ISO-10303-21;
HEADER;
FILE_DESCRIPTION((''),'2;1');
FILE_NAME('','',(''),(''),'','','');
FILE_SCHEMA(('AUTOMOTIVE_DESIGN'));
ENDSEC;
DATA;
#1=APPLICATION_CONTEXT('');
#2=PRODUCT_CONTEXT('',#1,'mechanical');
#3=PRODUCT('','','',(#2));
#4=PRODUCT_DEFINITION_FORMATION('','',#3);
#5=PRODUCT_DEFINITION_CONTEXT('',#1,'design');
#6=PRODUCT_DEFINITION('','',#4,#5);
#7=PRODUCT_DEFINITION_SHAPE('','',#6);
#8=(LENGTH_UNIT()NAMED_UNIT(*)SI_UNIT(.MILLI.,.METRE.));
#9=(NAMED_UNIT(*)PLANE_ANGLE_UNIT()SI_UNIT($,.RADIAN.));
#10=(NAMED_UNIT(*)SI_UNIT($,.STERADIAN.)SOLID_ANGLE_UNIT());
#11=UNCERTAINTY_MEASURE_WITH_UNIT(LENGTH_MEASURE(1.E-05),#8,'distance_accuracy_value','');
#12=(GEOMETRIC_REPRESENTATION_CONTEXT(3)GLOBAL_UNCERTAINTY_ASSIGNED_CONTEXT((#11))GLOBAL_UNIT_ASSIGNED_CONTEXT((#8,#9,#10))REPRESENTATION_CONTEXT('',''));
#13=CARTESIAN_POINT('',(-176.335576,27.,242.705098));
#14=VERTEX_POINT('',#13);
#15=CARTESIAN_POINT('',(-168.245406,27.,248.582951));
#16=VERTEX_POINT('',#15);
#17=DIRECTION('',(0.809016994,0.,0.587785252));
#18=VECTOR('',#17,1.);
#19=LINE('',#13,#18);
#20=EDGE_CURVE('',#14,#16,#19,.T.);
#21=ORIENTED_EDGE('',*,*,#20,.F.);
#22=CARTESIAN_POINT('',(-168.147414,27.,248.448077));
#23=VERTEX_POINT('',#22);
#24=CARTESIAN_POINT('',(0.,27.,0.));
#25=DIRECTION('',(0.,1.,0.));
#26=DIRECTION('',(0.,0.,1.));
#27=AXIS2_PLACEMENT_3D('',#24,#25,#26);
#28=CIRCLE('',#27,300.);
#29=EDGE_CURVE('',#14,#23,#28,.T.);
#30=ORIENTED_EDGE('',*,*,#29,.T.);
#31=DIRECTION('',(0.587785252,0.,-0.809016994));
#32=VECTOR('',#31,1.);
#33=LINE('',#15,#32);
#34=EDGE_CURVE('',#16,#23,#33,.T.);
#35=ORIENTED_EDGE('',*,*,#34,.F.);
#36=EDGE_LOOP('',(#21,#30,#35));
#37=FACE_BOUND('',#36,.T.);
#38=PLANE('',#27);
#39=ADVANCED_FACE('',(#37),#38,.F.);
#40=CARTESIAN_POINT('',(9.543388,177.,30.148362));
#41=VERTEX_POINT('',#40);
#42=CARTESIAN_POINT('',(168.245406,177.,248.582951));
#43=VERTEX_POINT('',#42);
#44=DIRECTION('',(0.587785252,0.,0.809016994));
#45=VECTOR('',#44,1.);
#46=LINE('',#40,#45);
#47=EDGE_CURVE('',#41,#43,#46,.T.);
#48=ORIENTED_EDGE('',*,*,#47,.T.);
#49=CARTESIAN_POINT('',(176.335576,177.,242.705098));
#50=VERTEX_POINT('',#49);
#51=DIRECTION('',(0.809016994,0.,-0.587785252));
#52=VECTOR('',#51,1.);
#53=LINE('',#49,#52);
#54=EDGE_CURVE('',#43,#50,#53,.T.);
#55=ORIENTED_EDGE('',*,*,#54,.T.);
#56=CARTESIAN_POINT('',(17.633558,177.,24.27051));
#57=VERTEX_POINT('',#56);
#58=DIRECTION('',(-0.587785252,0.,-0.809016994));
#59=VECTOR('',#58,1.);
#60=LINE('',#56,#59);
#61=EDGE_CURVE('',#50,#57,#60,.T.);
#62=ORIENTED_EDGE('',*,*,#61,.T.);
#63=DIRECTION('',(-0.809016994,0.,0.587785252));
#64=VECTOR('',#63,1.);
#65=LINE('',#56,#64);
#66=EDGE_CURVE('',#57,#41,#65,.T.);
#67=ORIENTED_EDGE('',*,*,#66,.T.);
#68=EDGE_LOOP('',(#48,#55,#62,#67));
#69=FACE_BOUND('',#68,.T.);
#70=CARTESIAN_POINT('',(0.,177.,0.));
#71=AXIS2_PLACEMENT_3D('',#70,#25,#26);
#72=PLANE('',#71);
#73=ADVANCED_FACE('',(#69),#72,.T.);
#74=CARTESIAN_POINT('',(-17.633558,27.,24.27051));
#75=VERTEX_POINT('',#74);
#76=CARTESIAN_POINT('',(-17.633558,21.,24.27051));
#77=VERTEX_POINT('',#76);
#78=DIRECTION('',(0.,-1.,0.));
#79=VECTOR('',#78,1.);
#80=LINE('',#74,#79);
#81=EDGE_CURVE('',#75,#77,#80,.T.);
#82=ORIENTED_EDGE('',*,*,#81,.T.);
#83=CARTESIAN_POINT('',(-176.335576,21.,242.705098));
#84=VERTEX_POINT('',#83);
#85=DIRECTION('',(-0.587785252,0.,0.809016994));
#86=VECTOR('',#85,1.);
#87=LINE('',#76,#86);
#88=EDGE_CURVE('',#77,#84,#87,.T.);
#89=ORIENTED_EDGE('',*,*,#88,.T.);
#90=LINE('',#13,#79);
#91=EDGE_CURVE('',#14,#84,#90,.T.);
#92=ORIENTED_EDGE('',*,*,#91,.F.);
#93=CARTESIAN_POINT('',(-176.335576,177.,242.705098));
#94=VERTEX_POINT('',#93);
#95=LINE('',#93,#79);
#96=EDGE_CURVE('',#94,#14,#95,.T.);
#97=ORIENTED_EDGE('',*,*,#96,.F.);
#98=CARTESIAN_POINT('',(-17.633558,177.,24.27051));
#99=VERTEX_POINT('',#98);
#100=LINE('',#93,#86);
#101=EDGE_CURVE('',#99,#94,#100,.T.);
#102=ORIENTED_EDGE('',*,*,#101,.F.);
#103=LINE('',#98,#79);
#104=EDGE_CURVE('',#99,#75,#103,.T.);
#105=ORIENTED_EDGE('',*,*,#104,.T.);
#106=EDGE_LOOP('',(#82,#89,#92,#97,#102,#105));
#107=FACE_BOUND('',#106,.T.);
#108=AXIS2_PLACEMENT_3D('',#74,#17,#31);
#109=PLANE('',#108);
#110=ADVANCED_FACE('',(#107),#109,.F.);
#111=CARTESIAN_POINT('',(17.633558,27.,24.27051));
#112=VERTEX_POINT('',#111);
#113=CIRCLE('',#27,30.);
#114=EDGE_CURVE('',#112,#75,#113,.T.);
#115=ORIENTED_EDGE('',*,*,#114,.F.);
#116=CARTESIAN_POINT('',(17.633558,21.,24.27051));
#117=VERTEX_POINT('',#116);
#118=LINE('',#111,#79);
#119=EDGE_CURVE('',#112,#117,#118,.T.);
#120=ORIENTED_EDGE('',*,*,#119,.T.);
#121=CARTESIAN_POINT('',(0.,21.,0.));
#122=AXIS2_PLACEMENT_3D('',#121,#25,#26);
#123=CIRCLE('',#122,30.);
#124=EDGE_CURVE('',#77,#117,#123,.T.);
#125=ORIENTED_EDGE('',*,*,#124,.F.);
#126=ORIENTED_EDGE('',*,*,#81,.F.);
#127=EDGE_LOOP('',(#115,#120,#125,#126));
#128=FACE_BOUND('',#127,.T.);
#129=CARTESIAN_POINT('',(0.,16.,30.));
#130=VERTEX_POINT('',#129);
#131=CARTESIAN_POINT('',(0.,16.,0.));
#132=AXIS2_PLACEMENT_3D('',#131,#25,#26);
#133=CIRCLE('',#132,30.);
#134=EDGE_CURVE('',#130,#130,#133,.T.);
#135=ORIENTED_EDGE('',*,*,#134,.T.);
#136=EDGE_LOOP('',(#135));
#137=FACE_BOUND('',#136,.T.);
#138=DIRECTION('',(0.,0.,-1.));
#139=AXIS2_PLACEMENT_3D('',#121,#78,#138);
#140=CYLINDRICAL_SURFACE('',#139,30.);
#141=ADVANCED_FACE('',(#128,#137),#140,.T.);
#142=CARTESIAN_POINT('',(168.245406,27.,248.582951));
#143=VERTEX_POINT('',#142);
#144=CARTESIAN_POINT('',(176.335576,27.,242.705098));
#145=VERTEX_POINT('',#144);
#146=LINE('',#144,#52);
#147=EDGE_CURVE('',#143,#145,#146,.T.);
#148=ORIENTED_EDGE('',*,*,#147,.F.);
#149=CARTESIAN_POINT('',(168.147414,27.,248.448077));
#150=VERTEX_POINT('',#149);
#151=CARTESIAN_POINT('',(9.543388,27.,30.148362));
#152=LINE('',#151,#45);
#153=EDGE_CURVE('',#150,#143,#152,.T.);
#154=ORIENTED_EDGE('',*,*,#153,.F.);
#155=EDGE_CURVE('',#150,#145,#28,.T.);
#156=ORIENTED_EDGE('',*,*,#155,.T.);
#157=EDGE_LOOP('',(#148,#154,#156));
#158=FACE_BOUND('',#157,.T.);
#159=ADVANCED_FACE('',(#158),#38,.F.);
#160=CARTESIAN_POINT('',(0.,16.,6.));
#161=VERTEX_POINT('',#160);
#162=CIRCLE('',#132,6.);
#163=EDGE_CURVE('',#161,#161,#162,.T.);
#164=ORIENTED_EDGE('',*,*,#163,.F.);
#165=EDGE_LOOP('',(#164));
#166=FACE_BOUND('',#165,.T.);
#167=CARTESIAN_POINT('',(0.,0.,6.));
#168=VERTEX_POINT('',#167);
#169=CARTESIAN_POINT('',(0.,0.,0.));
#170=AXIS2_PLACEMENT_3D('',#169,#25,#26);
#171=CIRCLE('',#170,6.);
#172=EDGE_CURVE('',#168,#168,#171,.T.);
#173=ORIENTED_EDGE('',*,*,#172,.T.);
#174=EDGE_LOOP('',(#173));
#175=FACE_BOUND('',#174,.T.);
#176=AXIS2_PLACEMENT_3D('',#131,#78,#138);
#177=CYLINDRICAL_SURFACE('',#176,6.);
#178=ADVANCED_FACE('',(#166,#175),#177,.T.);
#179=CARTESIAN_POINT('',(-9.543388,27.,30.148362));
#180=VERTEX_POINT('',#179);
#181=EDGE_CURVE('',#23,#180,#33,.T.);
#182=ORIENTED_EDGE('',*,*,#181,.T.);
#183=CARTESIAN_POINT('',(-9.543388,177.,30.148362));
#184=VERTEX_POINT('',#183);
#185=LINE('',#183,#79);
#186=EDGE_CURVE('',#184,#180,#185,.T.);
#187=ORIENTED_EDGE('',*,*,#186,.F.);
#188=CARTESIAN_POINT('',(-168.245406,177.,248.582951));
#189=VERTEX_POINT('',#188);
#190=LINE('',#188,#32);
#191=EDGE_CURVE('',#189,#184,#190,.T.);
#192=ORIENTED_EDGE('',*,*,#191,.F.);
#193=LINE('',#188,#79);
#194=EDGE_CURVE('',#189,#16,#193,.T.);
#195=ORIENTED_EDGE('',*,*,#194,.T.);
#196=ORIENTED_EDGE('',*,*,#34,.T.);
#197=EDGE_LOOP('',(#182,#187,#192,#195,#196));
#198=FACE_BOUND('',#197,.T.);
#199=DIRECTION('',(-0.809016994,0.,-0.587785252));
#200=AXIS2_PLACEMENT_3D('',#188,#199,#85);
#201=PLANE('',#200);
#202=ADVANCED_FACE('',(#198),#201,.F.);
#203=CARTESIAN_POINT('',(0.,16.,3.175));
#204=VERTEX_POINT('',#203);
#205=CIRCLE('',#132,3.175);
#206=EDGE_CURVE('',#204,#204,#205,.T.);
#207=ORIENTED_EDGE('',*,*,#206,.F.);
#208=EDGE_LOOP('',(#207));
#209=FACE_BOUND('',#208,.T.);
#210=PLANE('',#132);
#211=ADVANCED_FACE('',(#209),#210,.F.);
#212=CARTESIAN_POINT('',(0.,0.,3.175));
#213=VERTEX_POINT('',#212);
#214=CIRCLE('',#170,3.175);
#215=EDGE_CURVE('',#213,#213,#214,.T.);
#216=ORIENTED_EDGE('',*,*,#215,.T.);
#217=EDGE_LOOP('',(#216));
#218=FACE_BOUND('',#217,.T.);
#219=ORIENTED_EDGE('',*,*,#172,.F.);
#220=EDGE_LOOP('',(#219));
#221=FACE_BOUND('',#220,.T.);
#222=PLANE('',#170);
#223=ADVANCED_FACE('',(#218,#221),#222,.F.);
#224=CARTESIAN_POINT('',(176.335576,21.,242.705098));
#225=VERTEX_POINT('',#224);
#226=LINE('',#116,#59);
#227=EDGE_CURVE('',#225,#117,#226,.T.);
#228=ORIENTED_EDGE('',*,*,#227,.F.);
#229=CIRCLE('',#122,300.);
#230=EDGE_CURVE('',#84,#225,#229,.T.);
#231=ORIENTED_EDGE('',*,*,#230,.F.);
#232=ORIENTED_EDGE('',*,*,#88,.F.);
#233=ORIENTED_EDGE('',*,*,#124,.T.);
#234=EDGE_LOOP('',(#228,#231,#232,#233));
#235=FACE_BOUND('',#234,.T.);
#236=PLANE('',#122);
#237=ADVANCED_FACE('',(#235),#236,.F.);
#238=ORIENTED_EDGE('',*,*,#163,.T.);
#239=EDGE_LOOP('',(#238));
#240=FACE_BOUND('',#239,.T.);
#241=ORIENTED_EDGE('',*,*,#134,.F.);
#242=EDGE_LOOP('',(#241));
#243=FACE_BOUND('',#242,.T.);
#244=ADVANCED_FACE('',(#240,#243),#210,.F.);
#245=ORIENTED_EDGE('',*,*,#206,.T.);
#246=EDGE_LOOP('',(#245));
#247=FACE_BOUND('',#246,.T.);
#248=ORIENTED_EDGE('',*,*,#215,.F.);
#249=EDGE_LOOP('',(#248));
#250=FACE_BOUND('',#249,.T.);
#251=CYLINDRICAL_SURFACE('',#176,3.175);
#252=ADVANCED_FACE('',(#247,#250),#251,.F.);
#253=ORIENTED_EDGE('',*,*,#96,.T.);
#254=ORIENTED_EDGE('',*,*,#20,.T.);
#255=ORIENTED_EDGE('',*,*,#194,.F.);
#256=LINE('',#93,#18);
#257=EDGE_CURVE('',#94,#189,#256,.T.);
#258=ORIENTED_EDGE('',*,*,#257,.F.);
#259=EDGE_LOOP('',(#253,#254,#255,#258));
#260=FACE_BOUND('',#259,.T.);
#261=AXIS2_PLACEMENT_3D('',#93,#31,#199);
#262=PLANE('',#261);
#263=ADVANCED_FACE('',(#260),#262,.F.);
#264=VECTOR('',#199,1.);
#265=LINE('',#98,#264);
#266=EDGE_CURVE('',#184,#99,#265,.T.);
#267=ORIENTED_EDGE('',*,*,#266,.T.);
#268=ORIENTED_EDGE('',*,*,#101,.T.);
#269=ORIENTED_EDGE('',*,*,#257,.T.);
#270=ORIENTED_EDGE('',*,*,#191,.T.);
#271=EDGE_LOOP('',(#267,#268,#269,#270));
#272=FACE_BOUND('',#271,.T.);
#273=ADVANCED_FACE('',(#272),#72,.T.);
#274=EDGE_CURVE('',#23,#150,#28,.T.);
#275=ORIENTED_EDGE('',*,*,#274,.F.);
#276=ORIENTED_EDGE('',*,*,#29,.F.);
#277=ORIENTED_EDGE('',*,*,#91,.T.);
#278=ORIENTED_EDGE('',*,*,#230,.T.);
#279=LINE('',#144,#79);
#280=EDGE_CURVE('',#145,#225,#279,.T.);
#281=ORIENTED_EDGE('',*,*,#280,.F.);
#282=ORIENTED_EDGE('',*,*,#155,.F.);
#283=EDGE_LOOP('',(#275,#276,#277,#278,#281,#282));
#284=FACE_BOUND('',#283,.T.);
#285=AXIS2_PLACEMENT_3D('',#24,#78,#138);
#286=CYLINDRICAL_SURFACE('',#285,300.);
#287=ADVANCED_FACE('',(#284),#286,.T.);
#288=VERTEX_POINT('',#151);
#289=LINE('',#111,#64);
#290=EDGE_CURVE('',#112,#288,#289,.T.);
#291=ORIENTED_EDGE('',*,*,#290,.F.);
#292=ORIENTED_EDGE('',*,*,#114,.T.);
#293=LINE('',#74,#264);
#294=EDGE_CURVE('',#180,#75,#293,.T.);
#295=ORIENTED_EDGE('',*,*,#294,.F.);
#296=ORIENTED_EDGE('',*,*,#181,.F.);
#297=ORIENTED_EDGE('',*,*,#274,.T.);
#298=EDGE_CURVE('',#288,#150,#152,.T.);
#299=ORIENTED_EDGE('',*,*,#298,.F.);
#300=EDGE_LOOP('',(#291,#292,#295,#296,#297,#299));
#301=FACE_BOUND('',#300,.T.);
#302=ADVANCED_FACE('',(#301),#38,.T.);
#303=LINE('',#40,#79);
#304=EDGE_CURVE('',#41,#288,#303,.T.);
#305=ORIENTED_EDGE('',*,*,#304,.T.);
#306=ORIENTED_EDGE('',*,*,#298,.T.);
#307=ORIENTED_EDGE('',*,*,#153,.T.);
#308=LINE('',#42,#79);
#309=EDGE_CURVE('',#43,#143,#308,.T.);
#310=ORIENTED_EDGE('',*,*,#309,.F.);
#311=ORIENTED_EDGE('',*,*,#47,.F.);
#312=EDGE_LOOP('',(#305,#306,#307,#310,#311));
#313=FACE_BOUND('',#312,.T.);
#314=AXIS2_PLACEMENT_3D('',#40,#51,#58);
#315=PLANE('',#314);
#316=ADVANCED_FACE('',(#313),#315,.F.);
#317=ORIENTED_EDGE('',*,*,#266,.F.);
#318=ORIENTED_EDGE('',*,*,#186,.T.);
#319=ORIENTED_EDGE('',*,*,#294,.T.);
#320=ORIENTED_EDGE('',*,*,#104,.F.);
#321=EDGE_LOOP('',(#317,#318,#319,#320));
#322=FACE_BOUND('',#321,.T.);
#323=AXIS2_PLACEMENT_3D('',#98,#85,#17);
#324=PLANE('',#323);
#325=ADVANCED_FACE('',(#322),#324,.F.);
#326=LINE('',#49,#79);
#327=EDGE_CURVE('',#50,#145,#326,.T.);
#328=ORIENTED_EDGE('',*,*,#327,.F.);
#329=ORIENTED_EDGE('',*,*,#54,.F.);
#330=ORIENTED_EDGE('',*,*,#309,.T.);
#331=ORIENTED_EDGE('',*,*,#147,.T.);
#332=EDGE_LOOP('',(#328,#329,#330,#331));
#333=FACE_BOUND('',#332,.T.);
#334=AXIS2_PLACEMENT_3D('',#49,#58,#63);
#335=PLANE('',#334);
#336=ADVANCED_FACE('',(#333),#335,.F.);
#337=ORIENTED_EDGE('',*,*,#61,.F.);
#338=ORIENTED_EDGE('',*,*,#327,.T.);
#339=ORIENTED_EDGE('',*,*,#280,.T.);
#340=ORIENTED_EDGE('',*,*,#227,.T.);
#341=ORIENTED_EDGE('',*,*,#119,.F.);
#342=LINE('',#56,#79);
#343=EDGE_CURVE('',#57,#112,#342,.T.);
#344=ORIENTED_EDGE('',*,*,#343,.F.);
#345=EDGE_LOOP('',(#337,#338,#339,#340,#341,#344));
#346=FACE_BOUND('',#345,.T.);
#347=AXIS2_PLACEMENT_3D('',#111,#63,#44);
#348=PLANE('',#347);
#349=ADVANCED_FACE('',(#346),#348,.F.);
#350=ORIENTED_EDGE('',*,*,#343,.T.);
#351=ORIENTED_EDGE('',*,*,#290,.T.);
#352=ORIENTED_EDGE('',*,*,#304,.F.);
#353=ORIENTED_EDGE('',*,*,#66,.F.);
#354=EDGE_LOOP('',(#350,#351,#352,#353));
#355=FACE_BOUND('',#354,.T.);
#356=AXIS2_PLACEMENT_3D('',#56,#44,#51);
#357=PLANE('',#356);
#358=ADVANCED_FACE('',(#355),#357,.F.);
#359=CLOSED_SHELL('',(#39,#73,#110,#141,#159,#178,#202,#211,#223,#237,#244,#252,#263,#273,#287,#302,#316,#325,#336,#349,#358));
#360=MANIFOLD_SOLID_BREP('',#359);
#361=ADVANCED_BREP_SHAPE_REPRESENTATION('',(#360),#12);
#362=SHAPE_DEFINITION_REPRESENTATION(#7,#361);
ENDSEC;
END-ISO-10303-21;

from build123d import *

# Parameters (mm, degrees)
SKETCH1_R           = 6
SKETCH1_R_2         = 3.175
BOSS_EXTRUDE1_DEPTH = 16
SKETCH2_R           = 30
BOSS_EXTRUDE2_DEPTH = 5
BOSS_EXTRUDE3_DEPTH = 6
BOSS_EXTRUDE4_DEPTH = 150


with BuildPart() as part:
    # Sketch1 → Boss-Extrude1 (new body)
    with BuildSketch(Plane(origin=(0, 0, 0), x_dir=(1, 0, 0), z_dir=(0, 1, 0))):
        with Locations(Location((0, 0, 0), (0, 0, 270))):
            Circle(SKETCH1_R)
        with Locations(Location((0, 0, 0), (0, 0, 270))):
            Circle(SKETCH1_R_2, mode=Mode.SUBTRACT)
    extrude(amount=BOSS_EXTRUDE1_DEPTH)

    # Sketch2 → Boss-Extrude2 (add)
    with BuildSketch(Plane(origin=(0, 16, 0), x_dir=(1, 0, 0), z_dir=(0, 1, 0))):
        with Locations(Location((0, 0, 0), (0, 0, 270))):
            Circle(SKETCH2_R)
    extrude(amount=BOSS_EXTRUDE2_DEPTH)

    # Sketch3 → Boss-Extrude3 (add)
    with BuildSketch(Plane(origin=(0, 21, 0), x_dir=(1, 0, 0), z_dir=(0, 1, 0))):
        with BuildLine():
            Line((17.633557569, -24.270509831), (176.335575688, -242.705098312))
            ThreePointArc((176.335575688, -242.705098312), (0, -300), (-176.335575688, -242.705098312))
            Line((-176.335575688, -242.705098312), (-17.633557569, -24.270509831))
            ThreePointArc((-17.633557569, -24.270509831), (0, 30), (17.633557569, -24.270509831))
        make_face()
    extrude(amount=BOSS_EXTRUDE3_DEPTH)

    # Sketch4 → Boss-Extrude4 (add)
    with BuildSketch(Plane(origin=(0, 27, 0), x_dir=(1, 0, 0), z_dir=(0, 1, 0))):
        Polygon((-176.335575688, -242.705098312), (-17.633557569, -24.270509831), (-9.543387625, -30.148362354), (-168.245405744, -248.582950835), align=None)
        Polygon((17.633557569, -24.270509831), (176.335575688, -242.705098312), (168.245405744, -248.582950835), (9.543387625, -30.148362354), align=None)
    extrude(amount=BOSS_EXTRUDE4_DEPTH)


solid = part.part
